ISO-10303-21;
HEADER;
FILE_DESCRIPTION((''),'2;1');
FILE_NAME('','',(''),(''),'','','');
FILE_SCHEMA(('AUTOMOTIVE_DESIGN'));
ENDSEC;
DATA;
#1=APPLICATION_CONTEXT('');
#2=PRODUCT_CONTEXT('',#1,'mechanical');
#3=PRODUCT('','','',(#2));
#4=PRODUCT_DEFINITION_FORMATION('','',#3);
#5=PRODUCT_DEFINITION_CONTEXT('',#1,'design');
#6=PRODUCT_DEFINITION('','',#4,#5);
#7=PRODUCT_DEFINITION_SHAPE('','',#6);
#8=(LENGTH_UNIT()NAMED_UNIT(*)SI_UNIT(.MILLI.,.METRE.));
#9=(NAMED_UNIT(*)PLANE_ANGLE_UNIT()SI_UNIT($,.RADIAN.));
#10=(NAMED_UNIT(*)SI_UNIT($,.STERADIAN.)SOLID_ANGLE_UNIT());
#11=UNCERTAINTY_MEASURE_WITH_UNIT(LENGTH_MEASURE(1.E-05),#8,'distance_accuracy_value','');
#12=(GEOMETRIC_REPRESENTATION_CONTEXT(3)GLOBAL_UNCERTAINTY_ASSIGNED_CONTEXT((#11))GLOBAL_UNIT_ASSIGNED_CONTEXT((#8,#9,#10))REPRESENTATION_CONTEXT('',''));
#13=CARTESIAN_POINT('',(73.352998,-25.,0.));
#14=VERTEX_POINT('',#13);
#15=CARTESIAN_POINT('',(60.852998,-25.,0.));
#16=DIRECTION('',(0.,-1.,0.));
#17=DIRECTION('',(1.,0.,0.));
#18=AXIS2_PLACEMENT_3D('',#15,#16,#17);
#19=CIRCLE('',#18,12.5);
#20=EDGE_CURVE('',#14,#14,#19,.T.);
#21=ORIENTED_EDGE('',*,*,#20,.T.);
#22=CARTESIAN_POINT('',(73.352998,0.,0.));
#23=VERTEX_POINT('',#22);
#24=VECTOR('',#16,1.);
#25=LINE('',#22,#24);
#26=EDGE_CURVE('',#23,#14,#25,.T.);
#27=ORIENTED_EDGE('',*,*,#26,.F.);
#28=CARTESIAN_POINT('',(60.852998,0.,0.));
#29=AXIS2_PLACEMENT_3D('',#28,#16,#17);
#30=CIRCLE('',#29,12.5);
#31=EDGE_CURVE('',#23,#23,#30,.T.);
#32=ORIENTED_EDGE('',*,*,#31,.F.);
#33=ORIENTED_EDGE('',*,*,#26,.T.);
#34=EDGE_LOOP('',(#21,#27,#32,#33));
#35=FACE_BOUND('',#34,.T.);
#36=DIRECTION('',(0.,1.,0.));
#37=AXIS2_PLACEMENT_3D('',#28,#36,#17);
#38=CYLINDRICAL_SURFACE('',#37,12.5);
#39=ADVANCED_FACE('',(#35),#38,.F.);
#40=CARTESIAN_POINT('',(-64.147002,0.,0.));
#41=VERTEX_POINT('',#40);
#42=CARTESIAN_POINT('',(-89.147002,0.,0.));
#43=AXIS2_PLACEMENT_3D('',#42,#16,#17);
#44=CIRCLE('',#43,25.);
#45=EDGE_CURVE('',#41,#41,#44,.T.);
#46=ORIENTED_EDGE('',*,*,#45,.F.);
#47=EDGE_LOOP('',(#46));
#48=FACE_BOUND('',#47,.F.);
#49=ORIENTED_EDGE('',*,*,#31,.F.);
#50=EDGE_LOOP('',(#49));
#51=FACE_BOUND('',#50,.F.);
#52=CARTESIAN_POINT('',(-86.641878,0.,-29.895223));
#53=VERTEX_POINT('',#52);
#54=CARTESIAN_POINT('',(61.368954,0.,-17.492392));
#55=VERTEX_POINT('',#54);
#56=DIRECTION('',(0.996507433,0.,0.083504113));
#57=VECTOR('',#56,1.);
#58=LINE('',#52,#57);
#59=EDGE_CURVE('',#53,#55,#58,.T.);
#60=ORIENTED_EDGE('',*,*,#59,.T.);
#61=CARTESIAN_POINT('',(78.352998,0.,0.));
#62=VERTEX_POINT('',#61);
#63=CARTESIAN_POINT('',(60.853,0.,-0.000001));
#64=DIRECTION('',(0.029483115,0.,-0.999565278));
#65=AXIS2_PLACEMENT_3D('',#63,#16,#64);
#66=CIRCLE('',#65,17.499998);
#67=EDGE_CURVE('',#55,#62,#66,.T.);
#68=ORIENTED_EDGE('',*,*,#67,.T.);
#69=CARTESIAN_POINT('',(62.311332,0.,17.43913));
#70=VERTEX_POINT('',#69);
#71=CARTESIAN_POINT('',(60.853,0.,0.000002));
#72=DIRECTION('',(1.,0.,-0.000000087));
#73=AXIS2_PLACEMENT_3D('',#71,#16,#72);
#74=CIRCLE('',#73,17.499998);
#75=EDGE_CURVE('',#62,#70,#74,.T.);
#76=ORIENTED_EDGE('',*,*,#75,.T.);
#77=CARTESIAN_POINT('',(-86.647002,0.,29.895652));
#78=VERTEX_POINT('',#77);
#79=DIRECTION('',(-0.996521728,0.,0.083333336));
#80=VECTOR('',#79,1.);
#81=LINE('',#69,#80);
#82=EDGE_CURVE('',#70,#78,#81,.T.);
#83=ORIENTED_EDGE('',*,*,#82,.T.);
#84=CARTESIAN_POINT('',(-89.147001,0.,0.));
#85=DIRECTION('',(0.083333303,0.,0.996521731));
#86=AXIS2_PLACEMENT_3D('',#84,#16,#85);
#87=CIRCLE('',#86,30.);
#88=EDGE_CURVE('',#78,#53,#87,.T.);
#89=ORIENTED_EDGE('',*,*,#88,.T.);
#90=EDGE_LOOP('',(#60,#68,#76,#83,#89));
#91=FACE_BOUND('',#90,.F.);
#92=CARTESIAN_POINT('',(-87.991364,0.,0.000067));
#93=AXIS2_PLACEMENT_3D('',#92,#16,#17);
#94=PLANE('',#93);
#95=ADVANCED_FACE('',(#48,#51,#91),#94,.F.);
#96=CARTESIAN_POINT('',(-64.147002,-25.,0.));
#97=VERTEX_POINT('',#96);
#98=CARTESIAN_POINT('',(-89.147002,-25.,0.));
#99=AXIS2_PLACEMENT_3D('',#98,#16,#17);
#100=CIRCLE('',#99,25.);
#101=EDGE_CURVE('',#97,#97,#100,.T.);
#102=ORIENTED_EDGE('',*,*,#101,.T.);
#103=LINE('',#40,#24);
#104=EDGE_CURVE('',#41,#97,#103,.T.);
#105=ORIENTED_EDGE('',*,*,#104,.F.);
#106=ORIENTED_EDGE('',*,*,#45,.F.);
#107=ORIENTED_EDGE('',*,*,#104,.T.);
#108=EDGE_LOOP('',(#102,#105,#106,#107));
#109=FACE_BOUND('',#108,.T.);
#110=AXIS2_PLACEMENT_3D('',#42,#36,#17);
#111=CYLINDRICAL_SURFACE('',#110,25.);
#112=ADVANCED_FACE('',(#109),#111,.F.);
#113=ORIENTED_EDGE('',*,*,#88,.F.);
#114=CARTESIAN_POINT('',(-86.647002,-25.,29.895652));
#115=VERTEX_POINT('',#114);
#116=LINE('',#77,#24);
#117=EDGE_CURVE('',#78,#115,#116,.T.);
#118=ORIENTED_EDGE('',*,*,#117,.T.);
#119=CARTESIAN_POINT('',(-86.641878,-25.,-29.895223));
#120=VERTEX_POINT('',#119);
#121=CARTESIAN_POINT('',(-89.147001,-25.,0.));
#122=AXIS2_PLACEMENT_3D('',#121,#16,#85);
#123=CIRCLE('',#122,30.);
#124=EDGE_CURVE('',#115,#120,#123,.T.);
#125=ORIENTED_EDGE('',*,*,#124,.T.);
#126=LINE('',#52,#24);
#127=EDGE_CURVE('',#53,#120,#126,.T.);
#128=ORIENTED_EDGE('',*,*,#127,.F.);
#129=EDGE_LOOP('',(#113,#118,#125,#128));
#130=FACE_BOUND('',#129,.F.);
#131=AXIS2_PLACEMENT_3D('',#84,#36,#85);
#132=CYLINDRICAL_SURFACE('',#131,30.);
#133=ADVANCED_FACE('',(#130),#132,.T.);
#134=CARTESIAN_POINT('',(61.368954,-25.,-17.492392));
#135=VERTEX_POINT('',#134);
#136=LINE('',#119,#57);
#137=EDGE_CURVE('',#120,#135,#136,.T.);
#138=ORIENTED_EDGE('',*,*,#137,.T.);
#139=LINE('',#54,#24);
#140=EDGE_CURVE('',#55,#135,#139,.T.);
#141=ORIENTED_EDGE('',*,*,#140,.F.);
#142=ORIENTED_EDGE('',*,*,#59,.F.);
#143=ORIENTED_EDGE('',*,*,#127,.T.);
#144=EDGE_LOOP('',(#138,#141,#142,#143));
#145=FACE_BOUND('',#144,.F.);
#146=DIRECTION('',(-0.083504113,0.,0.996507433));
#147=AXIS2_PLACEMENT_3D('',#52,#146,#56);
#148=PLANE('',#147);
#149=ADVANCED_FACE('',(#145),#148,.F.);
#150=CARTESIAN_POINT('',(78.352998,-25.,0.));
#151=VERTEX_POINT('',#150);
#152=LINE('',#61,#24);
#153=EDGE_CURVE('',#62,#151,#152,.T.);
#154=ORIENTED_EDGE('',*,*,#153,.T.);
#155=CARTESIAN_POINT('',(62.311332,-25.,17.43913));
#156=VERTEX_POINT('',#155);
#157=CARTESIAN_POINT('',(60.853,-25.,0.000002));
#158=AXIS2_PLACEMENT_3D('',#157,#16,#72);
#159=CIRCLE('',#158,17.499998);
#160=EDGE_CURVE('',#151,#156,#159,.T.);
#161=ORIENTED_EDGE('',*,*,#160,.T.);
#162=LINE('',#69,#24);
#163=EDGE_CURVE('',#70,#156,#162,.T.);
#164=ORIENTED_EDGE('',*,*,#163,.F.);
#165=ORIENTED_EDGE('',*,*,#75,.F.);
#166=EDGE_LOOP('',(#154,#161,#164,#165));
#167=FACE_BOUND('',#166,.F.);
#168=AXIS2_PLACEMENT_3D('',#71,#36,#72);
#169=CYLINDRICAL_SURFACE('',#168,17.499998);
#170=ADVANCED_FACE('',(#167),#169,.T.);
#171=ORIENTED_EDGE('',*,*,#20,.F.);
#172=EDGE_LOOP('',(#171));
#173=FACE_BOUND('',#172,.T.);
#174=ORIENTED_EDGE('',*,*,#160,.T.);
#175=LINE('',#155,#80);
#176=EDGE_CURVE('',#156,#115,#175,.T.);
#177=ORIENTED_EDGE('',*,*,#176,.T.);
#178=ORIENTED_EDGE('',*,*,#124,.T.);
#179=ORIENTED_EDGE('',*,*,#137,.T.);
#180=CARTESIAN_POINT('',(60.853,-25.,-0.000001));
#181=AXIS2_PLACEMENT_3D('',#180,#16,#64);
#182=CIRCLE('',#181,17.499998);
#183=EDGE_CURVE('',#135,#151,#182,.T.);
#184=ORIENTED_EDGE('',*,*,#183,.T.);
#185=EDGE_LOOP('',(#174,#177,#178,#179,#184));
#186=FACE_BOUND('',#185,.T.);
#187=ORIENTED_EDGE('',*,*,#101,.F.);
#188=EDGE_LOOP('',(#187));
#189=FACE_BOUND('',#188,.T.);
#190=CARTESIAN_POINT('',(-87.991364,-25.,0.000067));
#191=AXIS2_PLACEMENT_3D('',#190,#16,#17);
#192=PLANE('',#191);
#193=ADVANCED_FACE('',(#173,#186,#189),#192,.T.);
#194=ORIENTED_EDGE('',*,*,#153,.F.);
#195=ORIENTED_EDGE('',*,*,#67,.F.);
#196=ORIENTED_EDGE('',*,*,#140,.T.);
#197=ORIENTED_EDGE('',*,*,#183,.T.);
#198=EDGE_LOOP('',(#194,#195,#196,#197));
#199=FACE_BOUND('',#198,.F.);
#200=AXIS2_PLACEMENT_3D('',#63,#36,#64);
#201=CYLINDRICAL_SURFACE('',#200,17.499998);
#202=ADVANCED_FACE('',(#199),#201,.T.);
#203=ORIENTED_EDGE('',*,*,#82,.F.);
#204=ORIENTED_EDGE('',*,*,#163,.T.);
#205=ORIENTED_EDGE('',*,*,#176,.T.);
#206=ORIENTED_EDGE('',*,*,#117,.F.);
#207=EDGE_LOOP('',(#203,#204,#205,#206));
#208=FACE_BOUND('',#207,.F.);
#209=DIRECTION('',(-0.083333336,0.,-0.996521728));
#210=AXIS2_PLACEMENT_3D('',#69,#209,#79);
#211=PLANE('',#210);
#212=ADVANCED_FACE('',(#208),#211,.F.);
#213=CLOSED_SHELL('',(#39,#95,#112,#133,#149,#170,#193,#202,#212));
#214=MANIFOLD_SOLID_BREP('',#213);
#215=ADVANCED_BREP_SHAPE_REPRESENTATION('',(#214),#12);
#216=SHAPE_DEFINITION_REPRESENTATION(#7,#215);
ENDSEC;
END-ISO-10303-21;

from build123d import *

# Parameters (mm, degrees)
F0_R     = 25
F0_R_2   = 12.5
F1_DEPTH = 25


with BuildPart() as f1:
    # F0 (on Front) → F1 (new body)
    with BuildSketch(Plane.XZ):
        with BuildLine():
            ThreePointArc((-86.641878, -29.895223), (-67.065859, -20.308204), (-59.147002, 0))
            ThreePointArc((-59.147002, 0), (-67.067599, 20.310096), (-86.647002, 29.895652))
            ThreePointArc((-86.647002, 29.895652), (-119.147001, -0.002571), (-86.641878, -29.895223))
        make_face()
        with Locations((-89.147002, 0)):
            Circle(F0_R, mode=Mode.SUBTRACT)
        with BuildLine():
            ThreePointArc((-86.647002, 29.895652), (-67.067599, 20.310096), (-59.147002, 0))
            ThreePointArc((-59.147002, 0), (-67.065859, -20.308204), (-86.641878, -29.895223))
            Line((-86.641878, -29.895223), (61.368954, -17.492392))
            ThreePointArc((61.368954, -17.492392), (43.359363, 0.471941), (62.311332, 17.43913))
            Line((62.311332, 17.43913), (-86.647002, 29.895652))
        make_face()
        with BuildLine():
            ThreePointArc((78.352998, 0), (73.73265, 11.847556), (62.311332, 17.43913))
            ThreePointArc((62.311332, 17.43913), (43.359363, 0.471941), (61.368954, -17.492392))
            ThreePointArc((61.368954, -17.492392), (73.40846, -12.190586), (78.352998, 0))
        make_face()
        with Locations((60.852998, 0)):
            Circle(F0_R_2, mode=Mode.SUBTRACT)
    extrude(amount=F1_DEPTH)


solid = f1.part
